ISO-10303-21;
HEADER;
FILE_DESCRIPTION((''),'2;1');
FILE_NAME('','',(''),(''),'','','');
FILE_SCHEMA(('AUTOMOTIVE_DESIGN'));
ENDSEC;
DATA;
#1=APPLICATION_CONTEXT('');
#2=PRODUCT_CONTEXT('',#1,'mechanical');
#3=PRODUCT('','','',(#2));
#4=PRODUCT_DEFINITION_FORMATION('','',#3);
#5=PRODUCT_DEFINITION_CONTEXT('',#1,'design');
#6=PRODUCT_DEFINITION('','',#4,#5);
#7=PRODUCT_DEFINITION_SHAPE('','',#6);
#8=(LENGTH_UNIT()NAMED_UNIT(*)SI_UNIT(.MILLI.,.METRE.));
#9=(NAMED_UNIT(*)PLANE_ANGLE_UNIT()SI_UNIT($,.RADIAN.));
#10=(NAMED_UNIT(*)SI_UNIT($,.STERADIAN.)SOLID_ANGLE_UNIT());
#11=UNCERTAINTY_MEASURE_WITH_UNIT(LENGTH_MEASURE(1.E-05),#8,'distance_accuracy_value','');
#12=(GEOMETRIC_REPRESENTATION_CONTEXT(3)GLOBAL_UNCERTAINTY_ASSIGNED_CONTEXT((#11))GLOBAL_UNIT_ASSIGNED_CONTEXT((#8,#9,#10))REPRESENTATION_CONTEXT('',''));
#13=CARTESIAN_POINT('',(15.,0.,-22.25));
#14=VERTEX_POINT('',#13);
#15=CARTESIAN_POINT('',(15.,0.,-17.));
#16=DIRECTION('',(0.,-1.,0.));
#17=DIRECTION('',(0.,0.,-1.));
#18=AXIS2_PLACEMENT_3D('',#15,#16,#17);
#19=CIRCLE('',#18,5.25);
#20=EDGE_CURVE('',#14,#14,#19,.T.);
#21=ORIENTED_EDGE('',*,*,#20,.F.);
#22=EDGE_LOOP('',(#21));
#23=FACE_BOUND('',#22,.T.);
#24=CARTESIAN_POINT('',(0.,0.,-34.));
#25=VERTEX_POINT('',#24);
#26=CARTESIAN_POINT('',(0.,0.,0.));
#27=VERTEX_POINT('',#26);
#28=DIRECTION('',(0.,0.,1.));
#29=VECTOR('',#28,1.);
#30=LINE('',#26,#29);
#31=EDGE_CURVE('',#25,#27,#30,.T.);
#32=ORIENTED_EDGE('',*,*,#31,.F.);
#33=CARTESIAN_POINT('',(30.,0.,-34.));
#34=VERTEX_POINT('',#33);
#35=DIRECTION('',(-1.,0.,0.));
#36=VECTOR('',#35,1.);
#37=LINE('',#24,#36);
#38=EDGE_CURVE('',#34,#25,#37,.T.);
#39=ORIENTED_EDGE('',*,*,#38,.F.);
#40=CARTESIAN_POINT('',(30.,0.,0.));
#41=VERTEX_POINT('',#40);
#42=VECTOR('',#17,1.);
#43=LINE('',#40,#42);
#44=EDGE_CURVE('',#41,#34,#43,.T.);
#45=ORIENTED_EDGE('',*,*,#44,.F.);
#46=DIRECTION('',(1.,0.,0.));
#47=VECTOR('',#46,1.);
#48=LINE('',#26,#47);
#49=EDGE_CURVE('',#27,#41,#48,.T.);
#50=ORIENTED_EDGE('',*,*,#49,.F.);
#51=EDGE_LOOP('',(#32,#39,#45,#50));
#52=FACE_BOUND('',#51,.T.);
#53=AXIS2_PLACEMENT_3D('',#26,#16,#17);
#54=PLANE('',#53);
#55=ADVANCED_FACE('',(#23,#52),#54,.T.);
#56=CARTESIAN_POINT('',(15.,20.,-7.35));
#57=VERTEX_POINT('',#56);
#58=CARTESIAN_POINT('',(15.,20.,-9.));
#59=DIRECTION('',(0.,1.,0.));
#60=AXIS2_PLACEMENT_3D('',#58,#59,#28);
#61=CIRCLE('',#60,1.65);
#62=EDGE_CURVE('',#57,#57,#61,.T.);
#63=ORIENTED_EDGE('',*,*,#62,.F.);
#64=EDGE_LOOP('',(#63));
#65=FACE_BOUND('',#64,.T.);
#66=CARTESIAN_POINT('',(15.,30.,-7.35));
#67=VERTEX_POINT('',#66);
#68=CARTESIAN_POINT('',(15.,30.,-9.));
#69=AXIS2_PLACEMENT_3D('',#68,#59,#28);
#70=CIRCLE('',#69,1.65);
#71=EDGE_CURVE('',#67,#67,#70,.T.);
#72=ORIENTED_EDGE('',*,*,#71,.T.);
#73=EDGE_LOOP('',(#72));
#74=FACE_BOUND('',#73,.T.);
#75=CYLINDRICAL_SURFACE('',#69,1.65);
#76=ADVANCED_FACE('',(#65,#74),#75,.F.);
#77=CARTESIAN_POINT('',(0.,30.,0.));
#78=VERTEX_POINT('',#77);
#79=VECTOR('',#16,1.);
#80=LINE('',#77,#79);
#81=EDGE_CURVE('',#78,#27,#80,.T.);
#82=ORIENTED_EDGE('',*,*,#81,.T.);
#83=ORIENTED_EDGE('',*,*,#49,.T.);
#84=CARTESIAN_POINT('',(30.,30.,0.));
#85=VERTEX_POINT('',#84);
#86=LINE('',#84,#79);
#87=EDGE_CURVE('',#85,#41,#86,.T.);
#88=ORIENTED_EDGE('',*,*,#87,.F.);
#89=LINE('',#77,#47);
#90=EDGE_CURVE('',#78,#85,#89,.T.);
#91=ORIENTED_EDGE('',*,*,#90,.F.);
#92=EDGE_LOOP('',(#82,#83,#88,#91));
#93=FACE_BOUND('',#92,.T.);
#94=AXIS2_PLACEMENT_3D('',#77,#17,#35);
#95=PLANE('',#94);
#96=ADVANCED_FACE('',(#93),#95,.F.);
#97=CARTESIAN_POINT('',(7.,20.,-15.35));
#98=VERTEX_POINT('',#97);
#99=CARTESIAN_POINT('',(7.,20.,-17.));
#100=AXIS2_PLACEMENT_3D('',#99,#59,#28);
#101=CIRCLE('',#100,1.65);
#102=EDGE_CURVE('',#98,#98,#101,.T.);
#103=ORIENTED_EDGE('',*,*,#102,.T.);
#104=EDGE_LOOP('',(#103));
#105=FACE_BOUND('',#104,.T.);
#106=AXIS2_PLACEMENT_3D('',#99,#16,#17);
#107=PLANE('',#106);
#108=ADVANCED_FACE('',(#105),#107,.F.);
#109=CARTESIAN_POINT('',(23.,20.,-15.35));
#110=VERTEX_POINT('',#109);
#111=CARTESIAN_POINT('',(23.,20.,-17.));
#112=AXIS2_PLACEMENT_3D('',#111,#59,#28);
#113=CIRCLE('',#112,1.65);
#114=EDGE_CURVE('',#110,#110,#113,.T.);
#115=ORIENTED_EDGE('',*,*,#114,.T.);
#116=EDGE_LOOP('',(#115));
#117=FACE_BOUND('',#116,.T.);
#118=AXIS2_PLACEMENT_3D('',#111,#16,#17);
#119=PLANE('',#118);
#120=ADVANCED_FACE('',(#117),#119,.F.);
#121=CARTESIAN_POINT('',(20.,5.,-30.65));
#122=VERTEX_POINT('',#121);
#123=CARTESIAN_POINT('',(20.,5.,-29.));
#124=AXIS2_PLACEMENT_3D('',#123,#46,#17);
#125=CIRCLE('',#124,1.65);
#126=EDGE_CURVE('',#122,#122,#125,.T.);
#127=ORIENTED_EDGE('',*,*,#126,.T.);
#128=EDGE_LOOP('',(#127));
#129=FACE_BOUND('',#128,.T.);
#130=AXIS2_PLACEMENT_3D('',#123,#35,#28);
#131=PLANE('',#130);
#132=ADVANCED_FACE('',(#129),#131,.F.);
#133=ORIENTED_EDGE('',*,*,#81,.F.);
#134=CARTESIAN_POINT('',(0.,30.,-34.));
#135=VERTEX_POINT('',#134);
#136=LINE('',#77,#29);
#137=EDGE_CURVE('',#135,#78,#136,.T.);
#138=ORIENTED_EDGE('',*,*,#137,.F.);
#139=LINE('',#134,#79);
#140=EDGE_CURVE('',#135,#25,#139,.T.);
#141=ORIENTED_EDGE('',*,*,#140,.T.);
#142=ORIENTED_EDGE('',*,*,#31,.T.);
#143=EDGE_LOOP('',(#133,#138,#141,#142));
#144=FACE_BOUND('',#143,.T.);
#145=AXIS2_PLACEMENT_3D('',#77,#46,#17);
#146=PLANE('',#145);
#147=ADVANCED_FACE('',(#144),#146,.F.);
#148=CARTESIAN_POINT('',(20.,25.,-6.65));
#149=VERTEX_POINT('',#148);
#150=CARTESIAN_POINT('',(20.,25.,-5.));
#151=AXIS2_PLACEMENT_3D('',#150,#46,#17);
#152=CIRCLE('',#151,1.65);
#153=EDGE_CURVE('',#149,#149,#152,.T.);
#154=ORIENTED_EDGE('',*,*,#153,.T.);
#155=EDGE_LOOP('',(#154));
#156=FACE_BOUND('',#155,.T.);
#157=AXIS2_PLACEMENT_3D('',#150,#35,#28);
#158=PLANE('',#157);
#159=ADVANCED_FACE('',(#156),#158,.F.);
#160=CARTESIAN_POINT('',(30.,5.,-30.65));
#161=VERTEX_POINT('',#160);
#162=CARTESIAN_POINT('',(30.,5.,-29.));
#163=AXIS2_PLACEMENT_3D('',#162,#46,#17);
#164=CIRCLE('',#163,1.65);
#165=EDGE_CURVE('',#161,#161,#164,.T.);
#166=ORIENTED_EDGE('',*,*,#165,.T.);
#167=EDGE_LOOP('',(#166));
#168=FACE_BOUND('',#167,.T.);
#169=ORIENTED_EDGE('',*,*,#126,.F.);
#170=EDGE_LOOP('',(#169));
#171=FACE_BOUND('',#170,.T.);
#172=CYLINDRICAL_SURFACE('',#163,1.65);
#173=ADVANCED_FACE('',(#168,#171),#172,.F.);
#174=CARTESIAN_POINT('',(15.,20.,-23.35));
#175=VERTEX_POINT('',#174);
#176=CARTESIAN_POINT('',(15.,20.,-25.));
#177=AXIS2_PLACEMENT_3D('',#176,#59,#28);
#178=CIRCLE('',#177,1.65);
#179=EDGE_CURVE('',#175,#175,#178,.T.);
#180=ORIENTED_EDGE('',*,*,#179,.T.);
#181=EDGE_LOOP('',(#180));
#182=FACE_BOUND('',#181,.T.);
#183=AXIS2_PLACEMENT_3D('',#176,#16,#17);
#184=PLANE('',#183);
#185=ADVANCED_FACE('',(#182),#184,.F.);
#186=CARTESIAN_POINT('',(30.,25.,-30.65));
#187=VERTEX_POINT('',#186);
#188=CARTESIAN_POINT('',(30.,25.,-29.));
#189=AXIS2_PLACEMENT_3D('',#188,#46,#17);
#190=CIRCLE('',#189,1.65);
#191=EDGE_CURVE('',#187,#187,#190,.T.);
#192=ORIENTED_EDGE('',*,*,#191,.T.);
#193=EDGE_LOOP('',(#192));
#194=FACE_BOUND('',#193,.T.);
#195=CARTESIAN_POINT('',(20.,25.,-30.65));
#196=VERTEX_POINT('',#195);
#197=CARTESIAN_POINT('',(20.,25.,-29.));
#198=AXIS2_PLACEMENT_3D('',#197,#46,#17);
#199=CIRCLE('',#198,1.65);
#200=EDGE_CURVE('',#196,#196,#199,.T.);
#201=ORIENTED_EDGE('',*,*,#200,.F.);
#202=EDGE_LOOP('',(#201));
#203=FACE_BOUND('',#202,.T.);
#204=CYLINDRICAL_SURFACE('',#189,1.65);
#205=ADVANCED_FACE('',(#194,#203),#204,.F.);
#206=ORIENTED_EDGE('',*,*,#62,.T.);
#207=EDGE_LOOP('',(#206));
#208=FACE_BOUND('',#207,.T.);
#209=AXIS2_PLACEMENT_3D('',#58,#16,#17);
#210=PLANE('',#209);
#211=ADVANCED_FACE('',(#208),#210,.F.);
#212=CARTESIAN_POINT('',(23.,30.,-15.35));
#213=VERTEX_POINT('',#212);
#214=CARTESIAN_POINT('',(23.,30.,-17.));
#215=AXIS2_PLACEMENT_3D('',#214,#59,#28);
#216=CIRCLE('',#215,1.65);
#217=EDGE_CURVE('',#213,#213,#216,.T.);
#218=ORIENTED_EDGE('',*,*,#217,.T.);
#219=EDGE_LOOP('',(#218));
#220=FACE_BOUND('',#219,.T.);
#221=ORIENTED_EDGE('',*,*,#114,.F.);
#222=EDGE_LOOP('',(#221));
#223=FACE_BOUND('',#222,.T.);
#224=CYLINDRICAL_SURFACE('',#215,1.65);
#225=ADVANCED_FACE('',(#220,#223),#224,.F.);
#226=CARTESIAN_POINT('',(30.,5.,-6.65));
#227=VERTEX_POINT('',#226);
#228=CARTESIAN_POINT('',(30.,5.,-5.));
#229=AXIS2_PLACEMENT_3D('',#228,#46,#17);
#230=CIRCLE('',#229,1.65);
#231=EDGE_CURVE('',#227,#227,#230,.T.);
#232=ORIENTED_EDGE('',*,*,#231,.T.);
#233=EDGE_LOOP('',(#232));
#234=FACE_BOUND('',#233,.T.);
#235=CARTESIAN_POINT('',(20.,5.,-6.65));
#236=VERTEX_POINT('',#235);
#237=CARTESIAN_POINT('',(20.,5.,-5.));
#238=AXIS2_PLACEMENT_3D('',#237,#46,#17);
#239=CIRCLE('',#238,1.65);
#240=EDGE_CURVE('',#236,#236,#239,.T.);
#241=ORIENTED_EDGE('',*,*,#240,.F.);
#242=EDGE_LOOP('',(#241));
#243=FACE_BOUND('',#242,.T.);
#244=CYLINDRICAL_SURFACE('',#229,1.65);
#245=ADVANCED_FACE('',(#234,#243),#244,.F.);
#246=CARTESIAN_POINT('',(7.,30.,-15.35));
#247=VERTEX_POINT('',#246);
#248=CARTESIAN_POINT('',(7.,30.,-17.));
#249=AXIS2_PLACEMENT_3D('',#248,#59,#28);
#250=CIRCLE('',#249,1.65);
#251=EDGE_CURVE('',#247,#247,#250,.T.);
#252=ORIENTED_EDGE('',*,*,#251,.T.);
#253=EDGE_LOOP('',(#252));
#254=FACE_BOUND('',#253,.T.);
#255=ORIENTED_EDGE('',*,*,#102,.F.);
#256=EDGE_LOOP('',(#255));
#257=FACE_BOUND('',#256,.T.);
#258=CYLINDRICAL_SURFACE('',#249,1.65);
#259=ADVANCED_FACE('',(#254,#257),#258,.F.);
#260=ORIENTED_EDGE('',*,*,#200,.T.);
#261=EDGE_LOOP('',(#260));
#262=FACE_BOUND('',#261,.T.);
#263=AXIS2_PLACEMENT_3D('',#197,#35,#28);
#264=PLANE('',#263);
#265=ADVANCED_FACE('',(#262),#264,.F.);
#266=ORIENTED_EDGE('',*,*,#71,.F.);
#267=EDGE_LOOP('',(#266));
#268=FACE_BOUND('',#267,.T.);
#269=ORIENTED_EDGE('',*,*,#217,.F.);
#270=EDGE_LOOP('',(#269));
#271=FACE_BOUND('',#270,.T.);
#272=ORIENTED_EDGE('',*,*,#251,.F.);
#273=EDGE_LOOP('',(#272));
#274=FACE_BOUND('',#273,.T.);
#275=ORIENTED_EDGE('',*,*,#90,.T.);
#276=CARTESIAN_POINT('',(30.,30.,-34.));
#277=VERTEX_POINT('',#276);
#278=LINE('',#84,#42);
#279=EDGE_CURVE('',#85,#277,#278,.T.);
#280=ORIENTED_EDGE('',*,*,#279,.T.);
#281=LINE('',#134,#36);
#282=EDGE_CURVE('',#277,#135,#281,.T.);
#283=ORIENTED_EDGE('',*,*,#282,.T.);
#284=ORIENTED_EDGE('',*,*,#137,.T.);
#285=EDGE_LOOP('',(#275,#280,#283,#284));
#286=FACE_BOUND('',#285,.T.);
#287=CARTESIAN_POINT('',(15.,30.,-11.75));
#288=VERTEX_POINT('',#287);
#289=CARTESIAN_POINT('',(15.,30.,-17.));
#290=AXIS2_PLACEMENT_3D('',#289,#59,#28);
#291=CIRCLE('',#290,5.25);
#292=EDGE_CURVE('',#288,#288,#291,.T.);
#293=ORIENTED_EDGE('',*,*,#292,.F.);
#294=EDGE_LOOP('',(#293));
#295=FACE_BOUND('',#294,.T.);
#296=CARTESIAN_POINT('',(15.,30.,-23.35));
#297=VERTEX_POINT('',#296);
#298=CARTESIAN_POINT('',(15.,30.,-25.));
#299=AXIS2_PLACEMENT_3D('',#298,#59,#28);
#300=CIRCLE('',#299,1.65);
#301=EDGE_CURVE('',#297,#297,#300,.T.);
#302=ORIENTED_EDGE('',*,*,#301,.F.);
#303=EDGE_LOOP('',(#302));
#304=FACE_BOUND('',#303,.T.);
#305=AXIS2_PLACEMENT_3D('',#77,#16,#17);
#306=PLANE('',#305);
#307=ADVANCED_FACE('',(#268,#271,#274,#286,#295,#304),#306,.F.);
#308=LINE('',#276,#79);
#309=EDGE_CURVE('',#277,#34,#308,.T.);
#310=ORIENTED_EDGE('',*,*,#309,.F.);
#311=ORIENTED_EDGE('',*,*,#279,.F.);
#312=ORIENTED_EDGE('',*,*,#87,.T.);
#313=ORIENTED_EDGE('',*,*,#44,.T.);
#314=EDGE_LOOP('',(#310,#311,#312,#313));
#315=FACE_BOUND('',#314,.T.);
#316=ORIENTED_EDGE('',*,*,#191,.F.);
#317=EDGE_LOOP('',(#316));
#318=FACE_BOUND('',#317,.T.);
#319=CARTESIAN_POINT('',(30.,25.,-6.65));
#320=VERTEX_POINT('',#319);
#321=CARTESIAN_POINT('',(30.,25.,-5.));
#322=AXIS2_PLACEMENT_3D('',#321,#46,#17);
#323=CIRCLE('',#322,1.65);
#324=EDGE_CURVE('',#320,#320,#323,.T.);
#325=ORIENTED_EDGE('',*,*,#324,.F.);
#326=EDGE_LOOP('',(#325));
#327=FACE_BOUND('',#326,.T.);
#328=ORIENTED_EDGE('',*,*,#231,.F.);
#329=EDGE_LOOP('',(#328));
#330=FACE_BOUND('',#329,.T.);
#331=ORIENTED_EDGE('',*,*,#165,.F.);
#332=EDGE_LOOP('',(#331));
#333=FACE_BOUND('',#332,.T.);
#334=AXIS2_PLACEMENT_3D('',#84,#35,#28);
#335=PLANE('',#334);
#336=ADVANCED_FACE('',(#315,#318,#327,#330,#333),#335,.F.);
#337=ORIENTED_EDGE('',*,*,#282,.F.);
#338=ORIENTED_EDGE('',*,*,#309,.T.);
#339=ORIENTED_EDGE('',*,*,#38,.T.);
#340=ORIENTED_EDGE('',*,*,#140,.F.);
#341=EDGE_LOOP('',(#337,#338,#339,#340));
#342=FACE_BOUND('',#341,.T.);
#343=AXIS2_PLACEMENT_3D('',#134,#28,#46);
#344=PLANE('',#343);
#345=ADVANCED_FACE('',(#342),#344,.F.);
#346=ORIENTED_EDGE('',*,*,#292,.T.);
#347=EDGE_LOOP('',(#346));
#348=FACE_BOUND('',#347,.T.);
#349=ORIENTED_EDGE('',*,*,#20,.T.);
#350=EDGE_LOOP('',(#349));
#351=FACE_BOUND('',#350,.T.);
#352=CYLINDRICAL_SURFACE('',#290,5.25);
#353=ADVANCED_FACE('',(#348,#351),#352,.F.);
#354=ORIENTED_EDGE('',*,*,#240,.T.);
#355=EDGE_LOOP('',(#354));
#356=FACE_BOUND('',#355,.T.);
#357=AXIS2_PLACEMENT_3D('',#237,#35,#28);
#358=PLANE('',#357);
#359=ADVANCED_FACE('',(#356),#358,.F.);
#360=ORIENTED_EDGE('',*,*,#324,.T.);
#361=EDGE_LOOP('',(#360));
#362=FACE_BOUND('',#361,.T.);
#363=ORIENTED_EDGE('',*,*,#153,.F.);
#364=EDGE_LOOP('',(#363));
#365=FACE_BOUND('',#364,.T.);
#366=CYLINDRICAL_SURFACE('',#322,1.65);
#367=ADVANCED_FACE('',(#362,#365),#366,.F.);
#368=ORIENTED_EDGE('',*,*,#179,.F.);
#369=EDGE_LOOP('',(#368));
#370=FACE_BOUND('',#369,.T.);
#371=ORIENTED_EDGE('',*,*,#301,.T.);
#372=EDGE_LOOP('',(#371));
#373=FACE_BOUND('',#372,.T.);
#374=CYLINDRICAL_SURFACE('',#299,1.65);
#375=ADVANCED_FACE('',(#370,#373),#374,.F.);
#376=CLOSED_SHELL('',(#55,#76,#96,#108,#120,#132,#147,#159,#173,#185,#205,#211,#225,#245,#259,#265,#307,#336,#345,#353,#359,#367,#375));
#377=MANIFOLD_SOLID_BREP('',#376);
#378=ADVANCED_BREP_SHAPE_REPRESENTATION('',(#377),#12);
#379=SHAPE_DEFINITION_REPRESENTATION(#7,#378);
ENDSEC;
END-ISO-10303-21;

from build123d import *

# Parameters (mm, degrees)
SKETCH_1_W          = 30
SKETCH_1_H          = 34
EXTRUDE_1_DEPTH     = 30
HOLE_WIZARD_1_D     = 3.3
HOLE_WIZARD_1_DEPTH = 10
HOLE_WIZARD_2_D     = 3.3
HOLE_WIZARD_2_DEPTH = 10
HOLE_WIZARD_3_D     = 10.5


with BuildPart() as part:
    # 草图1 → 凸台-拉伸1 (new body)
    with BuildSketch(Plane(origin=(0, 0, 0), x_dir=(1, 0, 0), z_dir=(0, 1, 0))):
        with Locations((15, 17)):
            Rectangle(SKETCH_1_W, SKETCH_1_H)
    extrude(amount=EXTRUDE_1_DEPTH)

    # 孔1
    with Locations(Plane(origin=(30, 0, 0), x_dir=(0, 0, -1), z_dir=(1, 0, 0))):
        with Locations((5, 25), (29, 25), (5, 5), (29, 5)):
            Hole(HOLE_WIZARD_1_D / 2, depth=HOLE_WIZARD_1_DEPTH)

    # 孔2
    with Locations(Plane(origin=(0, 30, 0), x_dir=(1, 0, 0), z_dir=(0, 1, 0))):
        with Locations((7, 17), (15, 25), (23, 17), (15, 9)):
            Hole(HOLE_WIZARD_2_D / 2, depth=HOLE_WIZARD_2_DEPTH)

    # 孔3 (through all)
    with Locations(Plane(origin=(0, 30, 0), x_dir=(1, 0, 0), z_dir=(0, 1, 0))):
        with Locations((15, 17)):
            Hole(HOLE_WIZARD_3_D / 2)


solid = part.part
